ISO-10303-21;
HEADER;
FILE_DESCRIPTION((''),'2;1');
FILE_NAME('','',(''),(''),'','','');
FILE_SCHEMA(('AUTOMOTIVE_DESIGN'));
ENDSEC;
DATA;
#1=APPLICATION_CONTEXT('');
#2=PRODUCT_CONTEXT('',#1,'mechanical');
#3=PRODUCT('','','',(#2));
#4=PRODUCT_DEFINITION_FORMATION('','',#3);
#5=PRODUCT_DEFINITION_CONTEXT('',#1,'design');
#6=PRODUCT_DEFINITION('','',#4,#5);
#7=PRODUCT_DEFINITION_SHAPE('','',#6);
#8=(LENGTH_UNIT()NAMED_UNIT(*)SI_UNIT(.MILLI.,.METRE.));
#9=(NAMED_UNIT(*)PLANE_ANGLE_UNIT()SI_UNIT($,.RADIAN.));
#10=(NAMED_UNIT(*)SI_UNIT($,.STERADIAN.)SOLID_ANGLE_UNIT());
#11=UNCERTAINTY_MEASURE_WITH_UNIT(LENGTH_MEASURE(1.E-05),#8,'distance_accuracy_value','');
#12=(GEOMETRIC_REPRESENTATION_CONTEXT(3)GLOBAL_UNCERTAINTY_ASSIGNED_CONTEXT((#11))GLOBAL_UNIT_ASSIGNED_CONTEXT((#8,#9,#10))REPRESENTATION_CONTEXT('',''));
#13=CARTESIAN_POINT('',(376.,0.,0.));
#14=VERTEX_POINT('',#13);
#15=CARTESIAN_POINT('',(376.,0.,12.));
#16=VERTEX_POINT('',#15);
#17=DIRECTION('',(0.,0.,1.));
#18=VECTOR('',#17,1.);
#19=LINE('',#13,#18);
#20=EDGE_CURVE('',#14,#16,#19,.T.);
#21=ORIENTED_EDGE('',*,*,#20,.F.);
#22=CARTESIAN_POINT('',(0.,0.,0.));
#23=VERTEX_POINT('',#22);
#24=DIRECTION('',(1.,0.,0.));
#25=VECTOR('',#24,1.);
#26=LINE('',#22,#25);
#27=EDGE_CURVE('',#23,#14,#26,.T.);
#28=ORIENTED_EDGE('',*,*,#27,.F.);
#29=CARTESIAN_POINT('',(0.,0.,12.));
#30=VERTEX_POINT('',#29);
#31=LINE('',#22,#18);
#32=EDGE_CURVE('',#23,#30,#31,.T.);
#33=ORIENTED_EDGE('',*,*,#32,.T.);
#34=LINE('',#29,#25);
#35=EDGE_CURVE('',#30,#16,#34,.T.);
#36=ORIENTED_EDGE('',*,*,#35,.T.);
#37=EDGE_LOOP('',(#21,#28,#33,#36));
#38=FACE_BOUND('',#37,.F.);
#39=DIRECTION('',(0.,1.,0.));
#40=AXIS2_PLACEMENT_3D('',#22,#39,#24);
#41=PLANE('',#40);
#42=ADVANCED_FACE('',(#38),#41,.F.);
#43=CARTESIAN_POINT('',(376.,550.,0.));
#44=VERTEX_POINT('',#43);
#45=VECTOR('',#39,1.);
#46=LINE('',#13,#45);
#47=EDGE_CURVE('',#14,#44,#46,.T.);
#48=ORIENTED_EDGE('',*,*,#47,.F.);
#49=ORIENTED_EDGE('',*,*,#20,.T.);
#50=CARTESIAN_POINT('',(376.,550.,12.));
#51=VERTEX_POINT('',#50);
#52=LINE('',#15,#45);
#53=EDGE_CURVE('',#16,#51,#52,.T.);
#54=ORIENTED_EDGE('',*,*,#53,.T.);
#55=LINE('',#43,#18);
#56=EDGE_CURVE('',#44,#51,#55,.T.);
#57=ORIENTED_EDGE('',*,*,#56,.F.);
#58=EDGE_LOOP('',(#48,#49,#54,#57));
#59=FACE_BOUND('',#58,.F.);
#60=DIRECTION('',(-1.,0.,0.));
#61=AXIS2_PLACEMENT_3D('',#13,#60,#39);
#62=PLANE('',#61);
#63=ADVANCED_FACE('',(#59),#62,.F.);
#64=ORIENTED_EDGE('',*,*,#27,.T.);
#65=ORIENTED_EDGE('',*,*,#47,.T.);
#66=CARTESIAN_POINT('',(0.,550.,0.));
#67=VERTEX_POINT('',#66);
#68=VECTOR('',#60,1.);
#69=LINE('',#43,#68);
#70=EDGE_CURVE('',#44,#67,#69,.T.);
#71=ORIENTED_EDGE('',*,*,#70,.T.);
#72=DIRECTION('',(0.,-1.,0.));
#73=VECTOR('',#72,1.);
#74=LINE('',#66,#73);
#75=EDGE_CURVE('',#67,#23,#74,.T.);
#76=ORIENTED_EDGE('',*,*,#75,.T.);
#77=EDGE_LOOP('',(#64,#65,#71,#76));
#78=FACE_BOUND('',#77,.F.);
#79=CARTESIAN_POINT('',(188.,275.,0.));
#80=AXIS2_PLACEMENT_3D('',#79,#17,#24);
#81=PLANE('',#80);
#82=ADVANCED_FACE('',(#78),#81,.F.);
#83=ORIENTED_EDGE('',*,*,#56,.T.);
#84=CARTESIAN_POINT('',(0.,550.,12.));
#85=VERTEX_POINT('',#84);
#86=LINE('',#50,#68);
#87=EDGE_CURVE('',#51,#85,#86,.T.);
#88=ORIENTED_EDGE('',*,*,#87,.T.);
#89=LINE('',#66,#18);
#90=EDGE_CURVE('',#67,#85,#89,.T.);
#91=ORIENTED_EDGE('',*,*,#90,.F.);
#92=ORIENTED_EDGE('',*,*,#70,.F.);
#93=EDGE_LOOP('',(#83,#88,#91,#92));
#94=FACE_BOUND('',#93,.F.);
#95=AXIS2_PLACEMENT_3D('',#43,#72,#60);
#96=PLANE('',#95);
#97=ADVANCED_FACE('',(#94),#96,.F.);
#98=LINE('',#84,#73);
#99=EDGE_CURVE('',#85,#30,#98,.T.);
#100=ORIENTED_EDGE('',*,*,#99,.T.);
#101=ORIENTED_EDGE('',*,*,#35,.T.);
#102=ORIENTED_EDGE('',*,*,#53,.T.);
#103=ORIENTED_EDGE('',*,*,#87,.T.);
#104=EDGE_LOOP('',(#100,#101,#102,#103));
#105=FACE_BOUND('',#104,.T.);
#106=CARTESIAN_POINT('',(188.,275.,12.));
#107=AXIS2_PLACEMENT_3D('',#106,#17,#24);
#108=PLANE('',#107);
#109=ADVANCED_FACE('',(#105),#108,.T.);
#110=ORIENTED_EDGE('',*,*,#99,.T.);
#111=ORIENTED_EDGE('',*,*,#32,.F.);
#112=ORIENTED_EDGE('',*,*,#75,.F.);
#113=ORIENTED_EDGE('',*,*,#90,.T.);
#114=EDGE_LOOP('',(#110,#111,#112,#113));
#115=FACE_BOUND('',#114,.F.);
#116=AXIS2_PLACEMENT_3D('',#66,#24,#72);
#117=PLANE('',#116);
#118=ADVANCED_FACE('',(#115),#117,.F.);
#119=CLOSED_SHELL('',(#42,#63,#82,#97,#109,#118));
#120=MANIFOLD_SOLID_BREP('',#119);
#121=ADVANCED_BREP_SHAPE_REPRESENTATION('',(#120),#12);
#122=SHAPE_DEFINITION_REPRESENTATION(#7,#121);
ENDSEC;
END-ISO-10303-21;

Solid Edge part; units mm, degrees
sketch "Sketch1" plane through (0, 0, 0) normal (0, 0, 1) x (1, 0, 0)
  line L0 (0, 0) -> (376, 0)
  line L1 (376, 0) -> (376, 550)
  line L2 (376, 550) -> (0, 550)
  line L3 (0, 550) -> (0, 0)
extrude "Protrusion1" add sketch "Sketch1" along normal blind 12
